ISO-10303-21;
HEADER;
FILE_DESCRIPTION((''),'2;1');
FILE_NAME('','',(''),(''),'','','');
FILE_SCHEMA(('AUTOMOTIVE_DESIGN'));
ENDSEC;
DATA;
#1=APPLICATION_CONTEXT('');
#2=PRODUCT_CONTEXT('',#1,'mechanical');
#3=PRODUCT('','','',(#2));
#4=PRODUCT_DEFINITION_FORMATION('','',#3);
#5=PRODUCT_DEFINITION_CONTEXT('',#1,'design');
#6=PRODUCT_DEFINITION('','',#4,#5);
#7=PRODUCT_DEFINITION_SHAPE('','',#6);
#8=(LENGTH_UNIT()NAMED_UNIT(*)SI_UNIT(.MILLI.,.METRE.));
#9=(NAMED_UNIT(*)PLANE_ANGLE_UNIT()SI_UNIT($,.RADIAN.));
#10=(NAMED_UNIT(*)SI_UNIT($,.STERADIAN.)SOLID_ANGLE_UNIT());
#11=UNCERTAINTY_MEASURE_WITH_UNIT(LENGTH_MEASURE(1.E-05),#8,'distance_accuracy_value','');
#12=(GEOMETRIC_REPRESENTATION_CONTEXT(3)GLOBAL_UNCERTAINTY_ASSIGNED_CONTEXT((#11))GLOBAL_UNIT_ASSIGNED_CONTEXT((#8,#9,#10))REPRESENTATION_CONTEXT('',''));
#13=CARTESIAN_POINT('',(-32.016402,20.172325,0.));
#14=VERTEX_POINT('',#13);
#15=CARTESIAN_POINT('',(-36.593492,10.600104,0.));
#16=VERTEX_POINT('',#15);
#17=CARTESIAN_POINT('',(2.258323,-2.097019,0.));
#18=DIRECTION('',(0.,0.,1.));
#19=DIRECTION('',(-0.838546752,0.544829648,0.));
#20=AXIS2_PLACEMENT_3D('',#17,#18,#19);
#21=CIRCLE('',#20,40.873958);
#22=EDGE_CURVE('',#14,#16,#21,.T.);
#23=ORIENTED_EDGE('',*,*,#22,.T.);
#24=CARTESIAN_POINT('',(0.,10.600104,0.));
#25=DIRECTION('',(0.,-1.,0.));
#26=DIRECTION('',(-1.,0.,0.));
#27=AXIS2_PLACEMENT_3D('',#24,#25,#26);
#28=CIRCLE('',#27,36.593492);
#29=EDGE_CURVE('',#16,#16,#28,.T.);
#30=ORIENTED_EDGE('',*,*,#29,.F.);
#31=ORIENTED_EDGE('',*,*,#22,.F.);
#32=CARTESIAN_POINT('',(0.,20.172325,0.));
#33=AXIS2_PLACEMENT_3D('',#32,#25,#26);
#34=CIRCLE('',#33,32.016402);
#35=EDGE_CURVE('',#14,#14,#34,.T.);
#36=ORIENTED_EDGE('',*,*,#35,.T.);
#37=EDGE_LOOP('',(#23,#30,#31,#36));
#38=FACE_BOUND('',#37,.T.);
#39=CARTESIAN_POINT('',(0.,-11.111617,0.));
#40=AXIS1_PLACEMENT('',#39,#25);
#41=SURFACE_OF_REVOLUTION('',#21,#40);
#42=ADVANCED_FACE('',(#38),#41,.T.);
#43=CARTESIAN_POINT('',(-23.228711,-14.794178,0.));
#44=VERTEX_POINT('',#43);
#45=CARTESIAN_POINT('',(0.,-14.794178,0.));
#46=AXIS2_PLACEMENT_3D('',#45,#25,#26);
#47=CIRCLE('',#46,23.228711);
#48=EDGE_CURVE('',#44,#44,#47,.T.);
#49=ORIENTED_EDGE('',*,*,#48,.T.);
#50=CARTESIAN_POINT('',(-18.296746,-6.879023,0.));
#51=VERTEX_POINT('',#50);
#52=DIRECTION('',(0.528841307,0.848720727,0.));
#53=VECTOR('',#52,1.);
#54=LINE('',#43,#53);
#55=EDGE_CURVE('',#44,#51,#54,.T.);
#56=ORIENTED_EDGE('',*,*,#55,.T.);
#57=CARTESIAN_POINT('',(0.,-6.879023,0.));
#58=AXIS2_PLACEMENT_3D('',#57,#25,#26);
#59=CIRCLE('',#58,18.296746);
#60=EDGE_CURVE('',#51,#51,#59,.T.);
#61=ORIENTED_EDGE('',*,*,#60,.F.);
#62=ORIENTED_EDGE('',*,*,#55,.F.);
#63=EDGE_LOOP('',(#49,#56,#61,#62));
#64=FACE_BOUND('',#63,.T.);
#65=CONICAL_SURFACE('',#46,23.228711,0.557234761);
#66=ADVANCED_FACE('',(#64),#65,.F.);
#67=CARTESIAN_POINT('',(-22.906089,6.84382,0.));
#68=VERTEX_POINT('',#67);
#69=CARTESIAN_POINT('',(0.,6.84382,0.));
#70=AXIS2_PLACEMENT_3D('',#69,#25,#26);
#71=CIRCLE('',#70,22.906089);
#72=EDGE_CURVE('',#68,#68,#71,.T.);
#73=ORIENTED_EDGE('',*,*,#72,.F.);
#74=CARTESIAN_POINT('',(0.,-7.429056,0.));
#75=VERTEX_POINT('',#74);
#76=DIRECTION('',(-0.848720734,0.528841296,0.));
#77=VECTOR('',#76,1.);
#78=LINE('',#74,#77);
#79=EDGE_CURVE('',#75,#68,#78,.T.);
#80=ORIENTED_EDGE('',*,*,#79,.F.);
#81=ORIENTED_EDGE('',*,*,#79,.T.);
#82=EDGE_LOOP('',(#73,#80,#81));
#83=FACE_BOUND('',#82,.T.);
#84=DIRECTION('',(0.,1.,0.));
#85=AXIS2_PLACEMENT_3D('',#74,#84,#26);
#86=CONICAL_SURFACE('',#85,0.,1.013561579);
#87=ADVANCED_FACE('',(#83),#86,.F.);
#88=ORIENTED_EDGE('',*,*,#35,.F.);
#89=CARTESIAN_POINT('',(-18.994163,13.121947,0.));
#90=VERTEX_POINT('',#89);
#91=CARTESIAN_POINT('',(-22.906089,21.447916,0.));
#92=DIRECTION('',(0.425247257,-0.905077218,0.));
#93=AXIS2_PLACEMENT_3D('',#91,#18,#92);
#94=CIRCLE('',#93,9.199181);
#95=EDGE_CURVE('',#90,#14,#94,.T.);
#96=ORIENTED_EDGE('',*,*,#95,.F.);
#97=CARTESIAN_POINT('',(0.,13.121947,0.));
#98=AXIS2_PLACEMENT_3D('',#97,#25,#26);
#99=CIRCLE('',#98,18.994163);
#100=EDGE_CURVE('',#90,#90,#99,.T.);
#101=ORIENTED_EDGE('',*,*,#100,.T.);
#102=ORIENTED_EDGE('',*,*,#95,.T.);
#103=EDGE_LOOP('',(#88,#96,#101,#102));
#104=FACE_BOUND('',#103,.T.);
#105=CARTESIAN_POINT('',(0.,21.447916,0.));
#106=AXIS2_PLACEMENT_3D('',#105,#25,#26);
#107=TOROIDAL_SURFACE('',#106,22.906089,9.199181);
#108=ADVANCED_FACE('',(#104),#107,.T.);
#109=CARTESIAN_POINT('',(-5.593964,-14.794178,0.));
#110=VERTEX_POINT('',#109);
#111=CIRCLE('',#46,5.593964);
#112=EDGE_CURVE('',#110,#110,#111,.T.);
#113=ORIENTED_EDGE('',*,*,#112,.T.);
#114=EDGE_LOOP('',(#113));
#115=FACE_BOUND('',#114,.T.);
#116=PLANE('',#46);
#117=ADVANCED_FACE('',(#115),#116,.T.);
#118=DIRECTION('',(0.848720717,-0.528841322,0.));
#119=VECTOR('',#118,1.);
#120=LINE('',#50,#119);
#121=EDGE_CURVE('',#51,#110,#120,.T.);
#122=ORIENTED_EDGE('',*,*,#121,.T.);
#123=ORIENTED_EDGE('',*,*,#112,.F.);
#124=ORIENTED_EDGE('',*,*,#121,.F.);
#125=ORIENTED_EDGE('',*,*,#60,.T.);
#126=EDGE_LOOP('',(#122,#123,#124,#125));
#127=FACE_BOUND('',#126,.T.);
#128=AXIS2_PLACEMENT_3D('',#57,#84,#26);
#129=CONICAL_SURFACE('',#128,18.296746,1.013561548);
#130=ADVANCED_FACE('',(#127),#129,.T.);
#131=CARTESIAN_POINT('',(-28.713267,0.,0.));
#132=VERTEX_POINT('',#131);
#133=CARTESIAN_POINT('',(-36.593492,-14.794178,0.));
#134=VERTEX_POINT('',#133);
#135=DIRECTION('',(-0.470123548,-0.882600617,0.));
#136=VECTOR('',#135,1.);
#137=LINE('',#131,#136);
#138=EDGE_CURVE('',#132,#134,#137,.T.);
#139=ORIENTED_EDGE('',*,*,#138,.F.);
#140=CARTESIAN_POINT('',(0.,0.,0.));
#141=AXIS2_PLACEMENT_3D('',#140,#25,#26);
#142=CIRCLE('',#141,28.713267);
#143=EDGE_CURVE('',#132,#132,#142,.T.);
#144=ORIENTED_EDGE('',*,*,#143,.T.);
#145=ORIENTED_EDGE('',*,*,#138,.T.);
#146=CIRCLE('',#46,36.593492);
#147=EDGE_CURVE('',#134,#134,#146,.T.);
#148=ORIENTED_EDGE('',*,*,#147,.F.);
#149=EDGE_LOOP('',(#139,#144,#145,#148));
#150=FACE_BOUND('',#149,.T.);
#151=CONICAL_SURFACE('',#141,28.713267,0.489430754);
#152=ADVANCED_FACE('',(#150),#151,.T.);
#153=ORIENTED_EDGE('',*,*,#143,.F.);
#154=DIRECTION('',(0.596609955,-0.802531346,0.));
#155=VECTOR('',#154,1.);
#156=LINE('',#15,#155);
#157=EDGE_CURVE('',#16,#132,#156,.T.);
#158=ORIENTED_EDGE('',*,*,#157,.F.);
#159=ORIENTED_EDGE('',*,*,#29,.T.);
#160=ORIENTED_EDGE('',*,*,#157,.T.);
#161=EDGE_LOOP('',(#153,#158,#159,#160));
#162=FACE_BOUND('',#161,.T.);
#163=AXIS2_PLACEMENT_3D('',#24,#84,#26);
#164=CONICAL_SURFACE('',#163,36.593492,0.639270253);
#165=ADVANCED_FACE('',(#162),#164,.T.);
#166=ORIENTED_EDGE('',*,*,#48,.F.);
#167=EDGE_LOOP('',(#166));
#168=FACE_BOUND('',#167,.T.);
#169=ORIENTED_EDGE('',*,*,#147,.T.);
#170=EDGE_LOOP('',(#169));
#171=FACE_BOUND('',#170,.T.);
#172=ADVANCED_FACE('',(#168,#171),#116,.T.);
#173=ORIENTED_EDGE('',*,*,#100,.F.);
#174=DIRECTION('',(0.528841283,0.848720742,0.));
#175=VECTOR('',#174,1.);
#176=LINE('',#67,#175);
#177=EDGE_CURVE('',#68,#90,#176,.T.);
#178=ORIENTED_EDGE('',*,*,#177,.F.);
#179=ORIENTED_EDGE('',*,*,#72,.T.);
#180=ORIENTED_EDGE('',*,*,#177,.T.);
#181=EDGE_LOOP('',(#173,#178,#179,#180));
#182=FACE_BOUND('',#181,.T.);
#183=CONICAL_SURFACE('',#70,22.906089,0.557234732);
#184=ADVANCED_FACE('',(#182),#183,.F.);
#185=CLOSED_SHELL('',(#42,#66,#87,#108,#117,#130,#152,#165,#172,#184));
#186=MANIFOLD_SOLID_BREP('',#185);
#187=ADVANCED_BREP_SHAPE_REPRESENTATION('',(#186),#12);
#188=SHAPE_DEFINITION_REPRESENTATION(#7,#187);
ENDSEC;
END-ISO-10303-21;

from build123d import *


with BuildPart() as f1:
    # F0 (on Top) → F1 (revolve)
    with BuildSketch(Plane.XY):
        with BuildLine():
            ThreePointArc((-18.994163, 13.121947), (-18.526276, 29.537549), (-32.016402, 20.172325))
            ThreePointArc((-32.016402, 20.172325), (-34.616866, 15.535363), (-36.593492, 10.600104))
            Line((-36.593492, 10.600104), (-28.713267, 0))
            Line((-28.713267, 0), (-36.593492, -14.794178))
            Line((-36.593492, -14.794178), (-23.228711, -14.794178))
            Line((-23.228711, -14.794178), (-18.296746, -6.879023))
            Line((-18.296746, -6.879023), (-5.593964, -14.794178))
            Line((-5.593964, -14.794178), (0, -14.794178))
            Line((0, -14.794178), (0, -7.429056))
            Line((0, -7.429056), (-22.906089, 6.84382))
            Line((-22.906089, 6.84382), (-18.994163, 13.121947))
        make_face()
    revolve(axis=Axis((0, -11.111617, 0), (0, -1, 0)))


solid = f1.part
